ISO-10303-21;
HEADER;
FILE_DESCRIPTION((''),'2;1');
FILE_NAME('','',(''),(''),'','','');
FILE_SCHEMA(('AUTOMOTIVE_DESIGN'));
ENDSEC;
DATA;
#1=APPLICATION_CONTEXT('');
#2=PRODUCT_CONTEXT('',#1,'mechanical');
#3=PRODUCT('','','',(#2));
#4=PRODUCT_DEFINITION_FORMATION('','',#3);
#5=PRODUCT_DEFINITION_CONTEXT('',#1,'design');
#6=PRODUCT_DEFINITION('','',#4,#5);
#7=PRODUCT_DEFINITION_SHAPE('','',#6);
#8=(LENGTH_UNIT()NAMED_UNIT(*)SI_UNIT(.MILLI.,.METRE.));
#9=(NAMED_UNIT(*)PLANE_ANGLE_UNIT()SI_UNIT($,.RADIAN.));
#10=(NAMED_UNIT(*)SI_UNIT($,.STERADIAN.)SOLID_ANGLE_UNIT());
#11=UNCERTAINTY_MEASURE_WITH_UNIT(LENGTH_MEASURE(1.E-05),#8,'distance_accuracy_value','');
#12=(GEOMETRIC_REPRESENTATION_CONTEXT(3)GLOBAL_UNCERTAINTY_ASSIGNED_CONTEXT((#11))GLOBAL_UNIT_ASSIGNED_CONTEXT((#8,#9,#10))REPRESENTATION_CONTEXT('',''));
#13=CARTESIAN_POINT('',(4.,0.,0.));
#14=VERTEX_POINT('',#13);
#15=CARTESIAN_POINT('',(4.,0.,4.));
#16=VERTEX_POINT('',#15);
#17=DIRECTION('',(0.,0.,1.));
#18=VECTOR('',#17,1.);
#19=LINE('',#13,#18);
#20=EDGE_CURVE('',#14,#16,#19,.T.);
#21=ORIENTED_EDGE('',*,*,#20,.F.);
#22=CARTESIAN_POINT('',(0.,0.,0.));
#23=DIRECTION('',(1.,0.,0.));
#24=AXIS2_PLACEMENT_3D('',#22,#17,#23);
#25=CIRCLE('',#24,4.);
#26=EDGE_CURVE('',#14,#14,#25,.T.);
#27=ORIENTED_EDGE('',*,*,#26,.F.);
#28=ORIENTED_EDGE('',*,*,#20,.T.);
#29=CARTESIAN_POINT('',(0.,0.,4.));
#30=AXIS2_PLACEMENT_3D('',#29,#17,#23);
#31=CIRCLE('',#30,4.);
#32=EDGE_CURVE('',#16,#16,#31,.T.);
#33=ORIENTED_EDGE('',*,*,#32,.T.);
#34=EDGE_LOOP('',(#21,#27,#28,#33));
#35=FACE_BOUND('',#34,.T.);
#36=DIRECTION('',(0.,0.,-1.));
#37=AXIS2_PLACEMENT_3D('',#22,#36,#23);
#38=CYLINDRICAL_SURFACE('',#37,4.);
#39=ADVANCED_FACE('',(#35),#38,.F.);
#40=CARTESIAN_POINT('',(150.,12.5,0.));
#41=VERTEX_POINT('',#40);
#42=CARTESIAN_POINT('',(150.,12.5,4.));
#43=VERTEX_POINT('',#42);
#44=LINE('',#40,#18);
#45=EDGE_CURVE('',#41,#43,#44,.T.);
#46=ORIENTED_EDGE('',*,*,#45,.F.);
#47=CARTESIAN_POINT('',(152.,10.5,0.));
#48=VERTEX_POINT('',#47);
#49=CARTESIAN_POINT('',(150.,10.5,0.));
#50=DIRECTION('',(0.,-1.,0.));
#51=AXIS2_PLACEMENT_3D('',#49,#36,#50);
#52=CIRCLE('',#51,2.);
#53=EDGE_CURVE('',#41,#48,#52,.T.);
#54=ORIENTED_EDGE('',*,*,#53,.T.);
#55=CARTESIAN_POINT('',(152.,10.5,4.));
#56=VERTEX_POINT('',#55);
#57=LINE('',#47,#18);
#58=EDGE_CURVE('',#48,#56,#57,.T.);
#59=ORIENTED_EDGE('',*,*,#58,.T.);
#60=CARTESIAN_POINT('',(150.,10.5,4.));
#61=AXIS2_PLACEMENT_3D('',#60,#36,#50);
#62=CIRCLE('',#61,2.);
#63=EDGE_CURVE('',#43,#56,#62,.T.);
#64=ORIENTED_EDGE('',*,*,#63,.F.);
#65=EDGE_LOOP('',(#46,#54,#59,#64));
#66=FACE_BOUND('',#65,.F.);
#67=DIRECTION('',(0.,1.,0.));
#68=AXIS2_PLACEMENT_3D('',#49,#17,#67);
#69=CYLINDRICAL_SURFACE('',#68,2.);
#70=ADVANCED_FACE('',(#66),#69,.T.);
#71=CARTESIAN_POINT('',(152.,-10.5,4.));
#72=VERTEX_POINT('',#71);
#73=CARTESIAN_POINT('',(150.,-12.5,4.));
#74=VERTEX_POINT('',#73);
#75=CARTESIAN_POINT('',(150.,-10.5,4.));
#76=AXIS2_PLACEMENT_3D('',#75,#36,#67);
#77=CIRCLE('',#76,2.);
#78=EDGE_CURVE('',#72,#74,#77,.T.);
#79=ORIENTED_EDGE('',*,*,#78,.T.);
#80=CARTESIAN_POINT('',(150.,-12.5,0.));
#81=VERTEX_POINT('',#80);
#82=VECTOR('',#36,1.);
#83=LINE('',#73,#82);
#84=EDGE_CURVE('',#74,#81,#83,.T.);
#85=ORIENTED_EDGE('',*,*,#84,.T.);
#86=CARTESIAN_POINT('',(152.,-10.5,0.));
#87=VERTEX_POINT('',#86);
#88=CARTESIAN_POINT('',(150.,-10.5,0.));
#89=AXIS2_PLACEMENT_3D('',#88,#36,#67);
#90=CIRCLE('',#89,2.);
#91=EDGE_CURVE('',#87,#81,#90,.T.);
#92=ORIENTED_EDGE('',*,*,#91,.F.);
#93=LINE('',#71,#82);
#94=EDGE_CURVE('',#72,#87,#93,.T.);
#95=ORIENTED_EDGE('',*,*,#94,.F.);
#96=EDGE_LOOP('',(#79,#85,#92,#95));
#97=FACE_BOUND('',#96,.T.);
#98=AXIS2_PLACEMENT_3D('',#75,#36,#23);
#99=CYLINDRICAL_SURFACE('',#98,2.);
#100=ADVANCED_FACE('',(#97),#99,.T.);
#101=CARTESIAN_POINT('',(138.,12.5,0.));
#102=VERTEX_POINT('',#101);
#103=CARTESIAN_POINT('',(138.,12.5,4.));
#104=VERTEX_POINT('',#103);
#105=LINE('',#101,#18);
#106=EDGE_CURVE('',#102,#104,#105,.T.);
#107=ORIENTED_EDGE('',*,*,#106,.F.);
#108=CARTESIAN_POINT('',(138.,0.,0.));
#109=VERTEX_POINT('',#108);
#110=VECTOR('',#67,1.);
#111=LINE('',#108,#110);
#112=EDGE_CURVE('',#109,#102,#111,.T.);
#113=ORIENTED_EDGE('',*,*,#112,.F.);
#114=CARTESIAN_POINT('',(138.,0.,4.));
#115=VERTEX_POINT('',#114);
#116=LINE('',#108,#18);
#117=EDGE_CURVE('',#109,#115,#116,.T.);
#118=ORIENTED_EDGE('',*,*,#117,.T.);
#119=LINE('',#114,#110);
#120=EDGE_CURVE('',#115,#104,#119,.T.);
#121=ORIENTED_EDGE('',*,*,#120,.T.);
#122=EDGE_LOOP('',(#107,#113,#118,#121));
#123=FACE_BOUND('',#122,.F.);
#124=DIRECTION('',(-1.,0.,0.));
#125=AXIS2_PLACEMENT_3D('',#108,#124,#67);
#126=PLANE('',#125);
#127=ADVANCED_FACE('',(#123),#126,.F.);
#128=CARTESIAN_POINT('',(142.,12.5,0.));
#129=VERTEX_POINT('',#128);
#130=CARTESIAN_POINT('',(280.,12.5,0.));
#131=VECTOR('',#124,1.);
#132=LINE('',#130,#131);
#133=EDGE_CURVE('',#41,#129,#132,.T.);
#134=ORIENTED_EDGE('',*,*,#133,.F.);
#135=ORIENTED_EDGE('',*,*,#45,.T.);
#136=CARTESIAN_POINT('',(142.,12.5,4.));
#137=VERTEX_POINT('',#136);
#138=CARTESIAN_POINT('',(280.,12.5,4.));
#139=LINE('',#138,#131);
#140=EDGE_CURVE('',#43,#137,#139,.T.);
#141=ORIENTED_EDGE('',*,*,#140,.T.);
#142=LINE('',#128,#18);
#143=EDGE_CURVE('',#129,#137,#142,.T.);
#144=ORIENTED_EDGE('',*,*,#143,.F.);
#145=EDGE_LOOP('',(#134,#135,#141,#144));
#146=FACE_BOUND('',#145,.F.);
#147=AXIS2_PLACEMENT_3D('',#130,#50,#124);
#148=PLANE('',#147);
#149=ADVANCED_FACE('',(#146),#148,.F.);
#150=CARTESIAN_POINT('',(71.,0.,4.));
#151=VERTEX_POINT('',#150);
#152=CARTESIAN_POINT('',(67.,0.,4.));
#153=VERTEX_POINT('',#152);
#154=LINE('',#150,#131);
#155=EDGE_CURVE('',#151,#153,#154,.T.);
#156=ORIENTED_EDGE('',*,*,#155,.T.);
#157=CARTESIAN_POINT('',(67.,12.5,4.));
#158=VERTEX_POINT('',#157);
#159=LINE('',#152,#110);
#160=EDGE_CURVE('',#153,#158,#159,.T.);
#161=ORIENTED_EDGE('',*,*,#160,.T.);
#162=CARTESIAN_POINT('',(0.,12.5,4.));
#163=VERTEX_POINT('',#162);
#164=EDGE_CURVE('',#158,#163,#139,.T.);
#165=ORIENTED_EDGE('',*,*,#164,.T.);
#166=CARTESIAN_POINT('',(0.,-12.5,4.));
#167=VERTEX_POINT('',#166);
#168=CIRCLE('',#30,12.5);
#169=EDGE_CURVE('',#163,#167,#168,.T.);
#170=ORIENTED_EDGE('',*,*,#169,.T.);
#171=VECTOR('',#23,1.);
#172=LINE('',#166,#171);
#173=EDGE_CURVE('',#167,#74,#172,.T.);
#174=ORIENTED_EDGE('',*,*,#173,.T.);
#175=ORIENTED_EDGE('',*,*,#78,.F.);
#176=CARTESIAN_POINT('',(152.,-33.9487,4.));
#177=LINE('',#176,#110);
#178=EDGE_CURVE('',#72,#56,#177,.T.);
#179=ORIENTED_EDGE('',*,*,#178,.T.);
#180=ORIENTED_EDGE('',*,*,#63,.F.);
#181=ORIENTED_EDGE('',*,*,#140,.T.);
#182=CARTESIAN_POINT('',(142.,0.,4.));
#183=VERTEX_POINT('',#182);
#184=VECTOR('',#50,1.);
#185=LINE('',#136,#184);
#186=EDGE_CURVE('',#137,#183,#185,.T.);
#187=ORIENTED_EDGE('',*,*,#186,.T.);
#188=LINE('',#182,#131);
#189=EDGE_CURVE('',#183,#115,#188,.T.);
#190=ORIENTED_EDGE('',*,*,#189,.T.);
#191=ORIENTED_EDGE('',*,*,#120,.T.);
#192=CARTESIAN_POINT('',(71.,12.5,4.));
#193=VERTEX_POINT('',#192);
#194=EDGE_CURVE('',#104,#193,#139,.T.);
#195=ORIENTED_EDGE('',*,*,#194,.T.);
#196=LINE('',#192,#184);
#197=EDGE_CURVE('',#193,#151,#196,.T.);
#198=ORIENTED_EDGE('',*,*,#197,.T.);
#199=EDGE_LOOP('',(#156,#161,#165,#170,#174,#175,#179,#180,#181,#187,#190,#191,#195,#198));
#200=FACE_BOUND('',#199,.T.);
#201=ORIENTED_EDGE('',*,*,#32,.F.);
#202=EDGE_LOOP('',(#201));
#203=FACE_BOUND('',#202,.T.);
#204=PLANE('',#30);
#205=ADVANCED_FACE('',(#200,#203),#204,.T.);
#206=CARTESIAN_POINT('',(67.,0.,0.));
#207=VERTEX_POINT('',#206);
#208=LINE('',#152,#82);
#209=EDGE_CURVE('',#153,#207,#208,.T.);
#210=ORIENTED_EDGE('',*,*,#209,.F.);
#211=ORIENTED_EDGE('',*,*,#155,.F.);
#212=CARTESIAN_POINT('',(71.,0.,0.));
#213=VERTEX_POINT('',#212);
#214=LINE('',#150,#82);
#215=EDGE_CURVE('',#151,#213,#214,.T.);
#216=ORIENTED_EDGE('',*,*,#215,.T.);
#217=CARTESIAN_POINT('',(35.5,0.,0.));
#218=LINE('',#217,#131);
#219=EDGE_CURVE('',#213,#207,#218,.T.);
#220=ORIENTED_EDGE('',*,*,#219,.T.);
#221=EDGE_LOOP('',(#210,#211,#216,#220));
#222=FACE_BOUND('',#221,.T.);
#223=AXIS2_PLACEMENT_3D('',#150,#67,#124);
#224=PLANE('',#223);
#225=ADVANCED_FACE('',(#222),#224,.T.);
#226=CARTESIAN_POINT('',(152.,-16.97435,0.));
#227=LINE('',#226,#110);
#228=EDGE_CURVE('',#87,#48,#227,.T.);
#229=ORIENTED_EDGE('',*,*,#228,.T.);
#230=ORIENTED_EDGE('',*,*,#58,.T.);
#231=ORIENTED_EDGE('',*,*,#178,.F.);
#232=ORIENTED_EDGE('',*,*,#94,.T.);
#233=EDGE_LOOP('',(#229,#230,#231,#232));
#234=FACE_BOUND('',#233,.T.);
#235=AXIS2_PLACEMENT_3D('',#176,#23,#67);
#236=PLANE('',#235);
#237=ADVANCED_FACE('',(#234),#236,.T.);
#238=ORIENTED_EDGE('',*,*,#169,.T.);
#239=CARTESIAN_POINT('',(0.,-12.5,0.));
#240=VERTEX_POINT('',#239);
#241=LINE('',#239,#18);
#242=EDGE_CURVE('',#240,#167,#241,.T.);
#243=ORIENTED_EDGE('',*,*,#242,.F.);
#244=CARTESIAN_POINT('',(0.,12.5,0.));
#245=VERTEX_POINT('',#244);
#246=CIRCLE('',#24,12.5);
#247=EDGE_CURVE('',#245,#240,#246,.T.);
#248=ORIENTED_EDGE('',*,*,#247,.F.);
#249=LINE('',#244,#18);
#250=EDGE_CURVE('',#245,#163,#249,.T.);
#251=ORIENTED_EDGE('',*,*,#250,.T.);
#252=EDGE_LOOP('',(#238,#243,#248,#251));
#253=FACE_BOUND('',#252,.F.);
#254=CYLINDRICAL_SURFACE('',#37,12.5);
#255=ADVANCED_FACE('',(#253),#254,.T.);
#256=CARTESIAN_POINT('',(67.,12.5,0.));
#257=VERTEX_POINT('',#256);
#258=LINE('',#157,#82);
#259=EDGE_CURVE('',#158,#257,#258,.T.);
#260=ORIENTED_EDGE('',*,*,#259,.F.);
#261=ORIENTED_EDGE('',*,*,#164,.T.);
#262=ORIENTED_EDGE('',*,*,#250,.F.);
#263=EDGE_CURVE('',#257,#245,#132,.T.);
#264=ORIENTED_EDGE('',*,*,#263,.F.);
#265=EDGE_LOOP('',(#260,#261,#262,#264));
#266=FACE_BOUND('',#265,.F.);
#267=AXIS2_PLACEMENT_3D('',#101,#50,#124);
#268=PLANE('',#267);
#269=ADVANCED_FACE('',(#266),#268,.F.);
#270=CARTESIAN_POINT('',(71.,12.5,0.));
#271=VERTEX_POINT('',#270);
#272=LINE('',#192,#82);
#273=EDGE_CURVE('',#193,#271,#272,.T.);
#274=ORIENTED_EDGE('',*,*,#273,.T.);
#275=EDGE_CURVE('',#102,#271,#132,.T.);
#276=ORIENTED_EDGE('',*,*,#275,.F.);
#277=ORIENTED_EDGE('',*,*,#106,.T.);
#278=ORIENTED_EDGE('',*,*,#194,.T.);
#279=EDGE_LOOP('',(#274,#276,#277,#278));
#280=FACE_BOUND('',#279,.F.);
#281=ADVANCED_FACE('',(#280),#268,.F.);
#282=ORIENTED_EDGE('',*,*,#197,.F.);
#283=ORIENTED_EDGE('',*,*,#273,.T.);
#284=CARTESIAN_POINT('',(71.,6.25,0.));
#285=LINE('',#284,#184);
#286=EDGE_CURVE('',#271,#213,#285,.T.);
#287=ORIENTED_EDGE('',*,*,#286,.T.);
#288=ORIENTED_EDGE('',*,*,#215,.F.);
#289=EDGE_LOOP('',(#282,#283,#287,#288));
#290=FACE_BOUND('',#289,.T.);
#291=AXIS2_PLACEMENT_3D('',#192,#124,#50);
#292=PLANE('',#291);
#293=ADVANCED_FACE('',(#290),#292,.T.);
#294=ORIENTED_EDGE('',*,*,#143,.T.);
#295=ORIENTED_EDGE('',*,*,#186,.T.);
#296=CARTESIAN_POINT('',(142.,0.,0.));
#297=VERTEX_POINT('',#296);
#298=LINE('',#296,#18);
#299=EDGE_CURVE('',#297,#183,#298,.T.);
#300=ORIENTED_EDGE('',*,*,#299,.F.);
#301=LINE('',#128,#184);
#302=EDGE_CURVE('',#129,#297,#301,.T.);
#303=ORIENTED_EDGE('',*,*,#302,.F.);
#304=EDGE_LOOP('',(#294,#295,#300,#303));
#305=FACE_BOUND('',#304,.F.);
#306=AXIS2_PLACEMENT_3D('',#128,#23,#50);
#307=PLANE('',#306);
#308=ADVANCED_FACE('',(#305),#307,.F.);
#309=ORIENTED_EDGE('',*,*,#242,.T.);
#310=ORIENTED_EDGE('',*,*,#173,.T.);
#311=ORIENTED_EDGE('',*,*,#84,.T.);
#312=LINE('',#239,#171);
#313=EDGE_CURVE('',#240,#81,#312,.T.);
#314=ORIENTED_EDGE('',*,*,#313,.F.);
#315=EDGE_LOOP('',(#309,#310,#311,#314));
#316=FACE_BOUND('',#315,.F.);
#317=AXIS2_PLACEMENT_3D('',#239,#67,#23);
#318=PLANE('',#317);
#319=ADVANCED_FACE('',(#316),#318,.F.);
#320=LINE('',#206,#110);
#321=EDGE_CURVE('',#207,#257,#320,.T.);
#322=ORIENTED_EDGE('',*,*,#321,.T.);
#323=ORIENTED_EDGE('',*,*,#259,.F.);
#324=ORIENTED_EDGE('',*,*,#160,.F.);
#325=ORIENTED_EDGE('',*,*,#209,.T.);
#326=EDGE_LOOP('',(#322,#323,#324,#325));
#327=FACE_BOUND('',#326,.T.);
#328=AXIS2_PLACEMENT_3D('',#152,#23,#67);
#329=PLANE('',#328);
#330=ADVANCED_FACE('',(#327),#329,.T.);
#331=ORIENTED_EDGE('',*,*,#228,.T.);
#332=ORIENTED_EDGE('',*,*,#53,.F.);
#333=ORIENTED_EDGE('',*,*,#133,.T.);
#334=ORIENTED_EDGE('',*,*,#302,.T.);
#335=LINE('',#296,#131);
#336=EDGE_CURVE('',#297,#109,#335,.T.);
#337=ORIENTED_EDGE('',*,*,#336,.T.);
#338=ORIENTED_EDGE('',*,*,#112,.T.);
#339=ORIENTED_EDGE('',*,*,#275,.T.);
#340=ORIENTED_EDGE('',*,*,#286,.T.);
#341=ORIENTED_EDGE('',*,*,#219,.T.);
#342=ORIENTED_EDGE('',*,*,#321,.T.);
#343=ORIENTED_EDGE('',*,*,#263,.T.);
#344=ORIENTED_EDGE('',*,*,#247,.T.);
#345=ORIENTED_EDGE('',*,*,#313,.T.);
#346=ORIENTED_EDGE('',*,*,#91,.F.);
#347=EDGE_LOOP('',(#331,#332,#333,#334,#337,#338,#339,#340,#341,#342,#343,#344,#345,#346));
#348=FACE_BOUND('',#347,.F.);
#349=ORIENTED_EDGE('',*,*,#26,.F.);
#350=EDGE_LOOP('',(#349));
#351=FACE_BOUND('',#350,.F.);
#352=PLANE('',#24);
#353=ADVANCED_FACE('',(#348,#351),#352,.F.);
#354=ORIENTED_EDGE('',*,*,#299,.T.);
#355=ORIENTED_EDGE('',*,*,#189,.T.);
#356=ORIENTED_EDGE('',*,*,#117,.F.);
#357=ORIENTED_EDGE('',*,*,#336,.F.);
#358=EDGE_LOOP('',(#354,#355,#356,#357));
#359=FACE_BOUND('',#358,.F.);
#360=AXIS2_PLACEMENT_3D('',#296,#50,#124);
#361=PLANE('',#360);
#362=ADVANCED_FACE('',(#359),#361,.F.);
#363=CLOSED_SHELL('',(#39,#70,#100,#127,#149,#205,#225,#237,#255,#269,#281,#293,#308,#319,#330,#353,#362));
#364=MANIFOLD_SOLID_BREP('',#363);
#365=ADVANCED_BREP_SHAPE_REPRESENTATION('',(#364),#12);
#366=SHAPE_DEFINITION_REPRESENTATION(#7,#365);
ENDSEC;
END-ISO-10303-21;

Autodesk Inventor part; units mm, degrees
ref_plane "YZ Plane" through (0, 0, 0) normal (1, 0, 0) x (0, 1, 0)
ref_plane "XZ Plane" through (0, 0, 0) normal (0, 1, 0) x (-1, 0, 0)
ref_plane "XY Plane" through (0, 0, 0) normal (0, 0, 1) x (1, 0, 0)
sketch "Эскиз1" plane through (0, 0, 0) normal (0, 0, 1) x (1, 0, 0)
  circle A0 centre (0, 0) radius 12.5
  line L0 (0, -12.5) -> (280, -12.5)
  line L1 (280, -12.5) -> (280, 12.5)
  line L2 (280, 12.5) -> (0, 12.5)
  line L3 (0, 12.5) -> (0, -12.5)
  circle A1 centre (280, 0) radius 12.5
  circle A2 centre (0, 0) radius 7
  circle A3 centre (280, 0) radius 7
  circle A4 centre (0, 0) radius 4
  circle A5 centre (280, 0) radius 3
  circle A6 centre (287, 0) radius 1.5
  circle A7 centre (280, 7) radius 1.5
  circle A8 centre (280, -7) radius 1.5
  circle A9 centre (287, 0) radius 1.5
  line L4 (138, 12.5) -> (142, 12.5)
  line L5 (142, 12.5) -> (142, 0)
  line L6 (142, 0) -> (138, 0)
  line L7 (138, 0) -> (138, 12.5)
  point P0 (280, -12.5)
  point P1 (140, 12.5)
  point P2 (140, 12.5)
  point P3 (142, 12.5)
  point P4 (140, 0)
  dimension "d0" = 25
  dimension "d1" = 280
  dimension "d2" = 14
  dimension "d3" = 14
  dimension "d8" = 8
  dimension "d9" = 6
  dimension "d10" = 3
  dimension "d11" = 3
  dimension "d12" = 3
  dimension "d13" = 3
  dimension "d16" = 0
  dimension "d17" = 4
  dimension "d26" = 140
extrude "Выдавливание1" add sketch "Эскиз1" along normal blind 4 contours A0 L3 A2 | A0 L2 L7 L6 L5 A1 L0 | L3 A2 A0 | A2 L3 A4 | L3 A4 A2 | A1 L1 A7 A3 A8 | L1 A8 A3 A6 A7 A1 | A3 A7 L1 A5 A8 | L1 A5 A7 A3 A6 A8
sketch "Эскиз2" plane through (0, 0, 4) normal (0, 0, 1) x (1, 0, 0)
  line L0 (152, 23.4347) -> (359.1429, 23.4347)
  line L1 (359.1429, 23.4347) -> (359.1429, -33.9487)
  line L2 (359.1429, -33.9487) -> (152, -33.9487)
  line L3 (152, -33.9487) -> (152, 23.4347)
  line L4 (142, 12.5) -> (142, 0) projected
  point P0 (0, 0)
  dimension "d18" = 10
extrude "Выдавливание2" cut sketch "Эскиз2" against normal blind 10
fillet "Сопряжение1" radius 2 2 edges at (152, 12.5, 2) (152, -12.5, 2)
sketch "Эскиз3" plane through (0, 0, 4) normal (0, 0, 1) x (1, 0, 0)
  line L0 (138, 12.5) -> (0, 12.5) projected
  line L1 (67, 12.5) -> (71, 12.5)
  line L2 (71, 12.5) -> (71, 0)
  line L3 (71, 0) -> (67, 0)
  line L4 (67, 0) -> (67, 12.5)
  point P0 (0, 0)
  point P1 (69, 12.5)
  point P2 (69, 12.5)
  point P3 (71, 12.5)
  dimension "d22" = 0
  dimension "d23" = 4
extrude "Выдавливание3" cut sketch "Эскиз3" against normal blind 10
properties material "Дерево (вишня)"
